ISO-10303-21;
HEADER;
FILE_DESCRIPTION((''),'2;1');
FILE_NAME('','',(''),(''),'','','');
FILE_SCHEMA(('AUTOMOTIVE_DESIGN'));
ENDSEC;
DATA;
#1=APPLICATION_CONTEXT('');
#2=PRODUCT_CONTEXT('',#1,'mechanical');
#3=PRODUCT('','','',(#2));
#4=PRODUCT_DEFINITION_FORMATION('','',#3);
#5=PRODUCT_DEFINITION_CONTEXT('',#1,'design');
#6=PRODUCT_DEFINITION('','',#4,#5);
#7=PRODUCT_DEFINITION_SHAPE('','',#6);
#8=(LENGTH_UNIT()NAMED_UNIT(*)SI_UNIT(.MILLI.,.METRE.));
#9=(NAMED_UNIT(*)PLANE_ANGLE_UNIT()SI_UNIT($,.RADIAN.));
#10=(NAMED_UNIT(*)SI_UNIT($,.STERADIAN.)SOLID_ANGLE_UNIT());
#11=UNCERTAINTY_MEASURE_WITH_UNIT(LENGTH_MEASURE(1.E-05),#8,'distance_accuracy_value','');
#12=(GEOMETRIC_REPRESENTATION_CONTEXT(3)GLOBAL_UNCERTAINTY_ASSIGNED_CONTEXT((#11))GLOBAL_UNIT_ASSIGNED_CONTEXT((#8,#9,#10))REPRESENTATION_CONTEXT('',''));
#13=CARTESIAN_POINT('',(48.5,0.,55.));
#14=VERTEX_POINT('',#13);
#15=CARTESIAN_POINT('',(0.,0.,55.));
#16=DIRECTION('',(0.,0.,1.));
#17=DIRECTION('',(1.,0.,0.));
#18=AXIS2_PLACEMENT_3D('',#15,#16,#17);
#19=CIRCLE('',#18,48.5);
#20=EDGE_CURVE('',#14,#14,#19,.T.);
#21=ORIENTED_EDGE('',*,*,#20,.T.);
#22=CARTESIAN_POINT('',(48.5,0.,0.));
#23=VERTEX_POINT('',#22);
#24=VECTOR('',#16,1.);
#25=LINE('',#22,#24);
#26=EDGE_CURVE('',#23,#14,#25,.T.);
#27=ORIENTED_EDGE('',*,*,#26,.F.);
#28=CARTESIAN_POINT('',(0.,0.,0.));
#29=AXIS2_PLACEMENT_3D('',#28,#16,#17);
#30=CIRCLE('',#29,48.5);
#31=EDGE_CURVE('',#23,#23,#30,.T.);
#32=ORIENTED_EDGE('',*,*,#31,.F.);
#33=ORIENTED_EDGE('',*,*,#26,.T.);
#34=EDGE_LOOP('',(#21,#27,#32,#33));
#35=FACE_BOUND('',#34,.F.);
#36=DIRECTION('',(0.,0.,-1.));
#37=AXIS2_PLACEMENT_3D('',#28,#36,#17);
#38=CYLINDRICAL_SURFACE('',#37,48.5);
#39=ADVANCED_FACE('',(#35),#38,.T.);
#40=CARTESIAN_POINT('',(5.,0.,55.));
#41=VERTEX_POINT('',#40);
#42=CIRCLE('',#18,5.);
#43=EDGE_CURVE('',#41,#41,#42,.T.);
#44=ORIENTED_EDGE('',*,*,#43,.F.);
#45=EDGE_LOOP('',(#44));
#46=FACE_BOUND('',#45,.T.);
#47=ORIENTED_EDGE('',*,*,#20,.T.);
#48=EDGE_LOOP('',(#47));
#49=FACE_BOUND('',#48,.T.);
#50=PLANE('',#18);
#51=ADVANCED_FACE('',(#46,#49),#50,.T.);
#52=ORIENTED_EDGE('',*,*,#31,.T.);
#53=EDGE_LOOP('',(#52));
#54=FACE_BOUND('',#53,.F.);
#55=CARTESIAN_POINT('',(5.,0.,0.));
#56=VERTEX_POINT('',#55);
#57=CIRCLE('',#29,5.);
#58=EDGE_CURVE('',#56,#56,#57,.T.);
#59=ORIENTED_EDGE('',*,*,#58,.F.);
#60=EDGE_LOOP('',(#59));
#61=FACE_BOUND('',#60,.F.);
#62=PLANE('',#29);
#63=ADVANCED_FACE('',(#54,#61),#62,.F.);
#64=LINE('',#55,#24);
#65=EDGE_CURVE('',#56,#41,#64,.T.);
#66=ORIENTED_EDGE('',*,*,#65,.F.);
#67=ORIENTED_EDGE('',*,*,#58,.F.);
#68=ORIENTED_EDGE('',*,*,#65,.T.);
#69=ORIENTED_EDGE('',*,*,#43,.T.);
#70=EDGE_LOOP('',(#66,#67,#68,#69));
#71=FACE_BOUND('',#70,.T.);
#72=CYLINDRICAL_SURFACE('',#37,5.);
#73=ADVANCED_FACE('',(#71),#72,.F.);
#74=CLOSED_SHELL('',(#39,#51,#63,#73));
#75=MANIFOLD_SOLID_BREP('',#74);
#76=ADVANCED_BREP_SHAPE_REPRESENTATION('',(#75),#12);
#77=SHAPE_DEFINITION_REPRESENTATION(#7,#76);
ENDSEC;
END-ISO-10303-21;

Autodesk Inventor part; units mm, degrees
ref_plane "YZ Plane" through (0, 0, 0) normal (1, 0, 0) x (0, 1, 0)
ref_plane "XZ Plane" through (0, 0, 0) normal (0, 1, 0) x (-1, 0, 0)
ref_plane "XY Plane" through (0, 0, 0) normal (0, 0, 1) x (1, 0, 0)
sketch "스케치1" plane through (0, 0, 0) normal (0, 0, 1) x (1, 0, 0)
  circle A0 centre (0, 0) radius 48.5
  circle A1 centre (0, 0) radius 5
  dimension "d0" = 97
  dimension "d3" = 10
extrude "돌출1" add sketch "스케치1" along normal blind 55
properties part number "DummyWheel"
